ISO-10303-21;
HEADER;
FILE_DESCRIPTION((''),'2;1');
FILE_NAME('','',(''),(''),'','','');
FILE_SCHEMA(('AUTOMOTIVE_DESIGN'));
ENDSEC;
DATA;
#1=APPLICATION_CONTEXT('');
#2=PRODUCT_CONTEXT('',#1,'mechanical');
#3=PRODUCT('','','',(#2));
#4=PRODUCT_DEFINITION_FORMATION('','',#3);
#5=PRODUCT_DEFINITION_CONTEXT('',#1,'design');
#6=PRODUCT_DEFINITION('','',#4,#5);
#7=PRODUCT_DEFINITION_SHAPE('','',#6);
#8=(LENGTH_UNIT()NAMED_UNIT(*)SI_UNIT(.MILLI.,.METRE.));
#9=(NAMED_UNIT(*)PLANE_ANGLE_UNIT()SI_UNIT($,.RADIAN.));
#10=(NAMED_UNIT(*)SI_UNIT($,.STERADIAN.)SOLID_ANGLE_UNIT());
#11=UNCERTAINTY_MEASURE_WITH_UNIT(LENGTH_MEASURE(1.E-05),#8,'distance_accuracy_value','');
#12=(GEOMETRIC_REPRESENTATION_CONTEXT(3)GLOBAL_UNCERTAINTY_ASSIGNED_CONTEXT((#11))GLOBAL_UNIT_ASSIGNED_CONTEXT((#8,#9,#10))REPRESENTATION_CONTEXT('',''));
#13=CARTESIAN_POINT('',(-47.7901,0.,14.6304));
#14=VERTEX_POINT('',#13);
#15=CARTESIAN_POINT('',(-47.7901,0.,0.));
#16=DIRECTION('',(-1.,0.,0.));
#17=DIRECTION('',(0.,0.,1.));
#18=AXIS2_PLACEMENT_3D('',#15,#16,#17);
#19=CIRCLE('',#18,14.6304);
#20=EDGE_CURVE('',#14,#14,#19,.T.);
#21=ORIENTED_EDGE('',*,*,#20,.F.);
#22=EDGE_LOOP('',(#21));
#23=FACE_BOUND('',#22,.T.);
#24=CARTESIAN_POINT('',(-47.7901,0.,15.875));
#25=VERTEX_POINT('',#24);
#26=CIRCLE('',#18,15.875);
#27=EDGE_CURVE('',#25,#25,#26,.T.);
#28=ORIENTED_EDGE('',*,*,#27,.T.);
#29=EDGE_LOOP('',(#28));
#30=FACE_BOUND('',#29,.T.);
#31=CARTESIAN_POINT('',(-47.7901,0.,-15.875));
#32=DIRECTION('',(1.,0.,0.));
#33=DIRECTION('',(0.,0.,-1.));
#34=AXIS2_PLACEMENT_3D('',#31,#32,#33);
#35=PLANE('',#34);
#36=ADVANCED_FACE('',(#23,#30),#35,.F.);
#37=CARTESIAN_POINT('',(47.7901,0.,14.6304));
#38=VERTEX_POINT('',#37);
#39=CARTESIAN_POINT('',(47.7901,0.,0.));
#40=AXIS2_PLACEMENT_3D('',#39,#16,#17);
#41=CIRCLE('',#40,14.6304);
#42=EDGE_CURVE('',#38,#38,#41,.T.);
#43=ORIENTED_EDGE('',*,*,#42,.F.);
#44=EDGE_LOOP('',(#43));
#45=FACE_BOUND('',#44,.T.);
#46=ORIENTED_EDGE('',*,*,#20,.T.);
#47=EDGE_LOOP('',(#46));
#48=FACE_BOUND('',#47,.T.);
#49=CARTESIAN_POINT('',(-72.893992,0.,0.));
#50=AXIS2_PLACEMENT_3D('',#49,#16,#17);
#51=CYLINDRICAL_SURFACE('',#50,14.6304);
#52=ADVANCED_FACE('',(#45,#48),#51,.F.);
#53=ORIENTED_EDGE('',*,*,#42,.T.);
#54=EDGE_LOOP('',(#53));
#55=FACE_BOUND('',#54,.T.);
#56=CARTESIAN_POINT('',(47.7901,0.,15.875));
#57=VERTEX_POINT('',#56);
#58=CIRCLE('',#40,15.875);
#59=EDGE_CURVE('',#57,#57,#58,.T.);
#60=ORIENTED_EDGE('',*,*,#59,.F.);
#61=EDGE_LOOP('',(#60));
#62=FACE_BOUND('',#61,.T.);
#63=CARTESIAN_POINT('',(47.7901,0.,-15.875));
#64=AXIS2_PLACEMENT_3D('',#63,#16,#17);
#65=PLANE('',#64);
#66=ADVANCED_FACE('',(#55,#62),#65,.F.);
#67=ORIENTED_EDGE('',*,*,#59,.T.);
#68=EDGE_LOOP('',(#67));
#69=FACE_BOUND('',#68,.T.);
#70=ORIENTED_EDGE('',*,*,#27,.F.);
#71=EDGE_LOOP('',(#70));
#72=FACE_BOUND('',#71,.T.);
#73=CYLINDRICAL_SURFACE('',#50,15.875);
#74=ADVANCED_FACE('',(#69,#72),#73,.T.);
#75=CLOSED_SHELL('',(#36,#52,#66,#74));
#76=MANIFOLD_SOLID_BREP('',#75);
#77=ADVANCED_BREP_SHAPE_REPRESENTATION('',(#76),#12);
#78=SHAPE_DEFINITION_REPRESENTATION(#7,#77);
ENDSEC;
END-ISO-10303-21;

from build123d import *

# Parameters (mm, degrees)
SKETCH1_W = 95.5802
SKETCH1_H = 1.2446


with BuildPart() as part:
    # Sketch1 → Revolve1 (revolve)
    with BuildSketch(Plane(origin=(0, 0, 0), x_dir=(1, 0, 0), z_dir=(0, 1, 0)), mode=Mode.PRIVATE) as revolve1_sk:
        with Locations((0, 15.2527)):
            Rectangle(SKETCH1_W, SKETCH1_H)
    revolve(revolve1_sk.sketch.rotate(Axis((-72.893991897, 0, 0), (1, 0, 0)), 180), axis=Axis((-72.893991897, 0, 0), (1, 0, 0)))


solid = part.part
